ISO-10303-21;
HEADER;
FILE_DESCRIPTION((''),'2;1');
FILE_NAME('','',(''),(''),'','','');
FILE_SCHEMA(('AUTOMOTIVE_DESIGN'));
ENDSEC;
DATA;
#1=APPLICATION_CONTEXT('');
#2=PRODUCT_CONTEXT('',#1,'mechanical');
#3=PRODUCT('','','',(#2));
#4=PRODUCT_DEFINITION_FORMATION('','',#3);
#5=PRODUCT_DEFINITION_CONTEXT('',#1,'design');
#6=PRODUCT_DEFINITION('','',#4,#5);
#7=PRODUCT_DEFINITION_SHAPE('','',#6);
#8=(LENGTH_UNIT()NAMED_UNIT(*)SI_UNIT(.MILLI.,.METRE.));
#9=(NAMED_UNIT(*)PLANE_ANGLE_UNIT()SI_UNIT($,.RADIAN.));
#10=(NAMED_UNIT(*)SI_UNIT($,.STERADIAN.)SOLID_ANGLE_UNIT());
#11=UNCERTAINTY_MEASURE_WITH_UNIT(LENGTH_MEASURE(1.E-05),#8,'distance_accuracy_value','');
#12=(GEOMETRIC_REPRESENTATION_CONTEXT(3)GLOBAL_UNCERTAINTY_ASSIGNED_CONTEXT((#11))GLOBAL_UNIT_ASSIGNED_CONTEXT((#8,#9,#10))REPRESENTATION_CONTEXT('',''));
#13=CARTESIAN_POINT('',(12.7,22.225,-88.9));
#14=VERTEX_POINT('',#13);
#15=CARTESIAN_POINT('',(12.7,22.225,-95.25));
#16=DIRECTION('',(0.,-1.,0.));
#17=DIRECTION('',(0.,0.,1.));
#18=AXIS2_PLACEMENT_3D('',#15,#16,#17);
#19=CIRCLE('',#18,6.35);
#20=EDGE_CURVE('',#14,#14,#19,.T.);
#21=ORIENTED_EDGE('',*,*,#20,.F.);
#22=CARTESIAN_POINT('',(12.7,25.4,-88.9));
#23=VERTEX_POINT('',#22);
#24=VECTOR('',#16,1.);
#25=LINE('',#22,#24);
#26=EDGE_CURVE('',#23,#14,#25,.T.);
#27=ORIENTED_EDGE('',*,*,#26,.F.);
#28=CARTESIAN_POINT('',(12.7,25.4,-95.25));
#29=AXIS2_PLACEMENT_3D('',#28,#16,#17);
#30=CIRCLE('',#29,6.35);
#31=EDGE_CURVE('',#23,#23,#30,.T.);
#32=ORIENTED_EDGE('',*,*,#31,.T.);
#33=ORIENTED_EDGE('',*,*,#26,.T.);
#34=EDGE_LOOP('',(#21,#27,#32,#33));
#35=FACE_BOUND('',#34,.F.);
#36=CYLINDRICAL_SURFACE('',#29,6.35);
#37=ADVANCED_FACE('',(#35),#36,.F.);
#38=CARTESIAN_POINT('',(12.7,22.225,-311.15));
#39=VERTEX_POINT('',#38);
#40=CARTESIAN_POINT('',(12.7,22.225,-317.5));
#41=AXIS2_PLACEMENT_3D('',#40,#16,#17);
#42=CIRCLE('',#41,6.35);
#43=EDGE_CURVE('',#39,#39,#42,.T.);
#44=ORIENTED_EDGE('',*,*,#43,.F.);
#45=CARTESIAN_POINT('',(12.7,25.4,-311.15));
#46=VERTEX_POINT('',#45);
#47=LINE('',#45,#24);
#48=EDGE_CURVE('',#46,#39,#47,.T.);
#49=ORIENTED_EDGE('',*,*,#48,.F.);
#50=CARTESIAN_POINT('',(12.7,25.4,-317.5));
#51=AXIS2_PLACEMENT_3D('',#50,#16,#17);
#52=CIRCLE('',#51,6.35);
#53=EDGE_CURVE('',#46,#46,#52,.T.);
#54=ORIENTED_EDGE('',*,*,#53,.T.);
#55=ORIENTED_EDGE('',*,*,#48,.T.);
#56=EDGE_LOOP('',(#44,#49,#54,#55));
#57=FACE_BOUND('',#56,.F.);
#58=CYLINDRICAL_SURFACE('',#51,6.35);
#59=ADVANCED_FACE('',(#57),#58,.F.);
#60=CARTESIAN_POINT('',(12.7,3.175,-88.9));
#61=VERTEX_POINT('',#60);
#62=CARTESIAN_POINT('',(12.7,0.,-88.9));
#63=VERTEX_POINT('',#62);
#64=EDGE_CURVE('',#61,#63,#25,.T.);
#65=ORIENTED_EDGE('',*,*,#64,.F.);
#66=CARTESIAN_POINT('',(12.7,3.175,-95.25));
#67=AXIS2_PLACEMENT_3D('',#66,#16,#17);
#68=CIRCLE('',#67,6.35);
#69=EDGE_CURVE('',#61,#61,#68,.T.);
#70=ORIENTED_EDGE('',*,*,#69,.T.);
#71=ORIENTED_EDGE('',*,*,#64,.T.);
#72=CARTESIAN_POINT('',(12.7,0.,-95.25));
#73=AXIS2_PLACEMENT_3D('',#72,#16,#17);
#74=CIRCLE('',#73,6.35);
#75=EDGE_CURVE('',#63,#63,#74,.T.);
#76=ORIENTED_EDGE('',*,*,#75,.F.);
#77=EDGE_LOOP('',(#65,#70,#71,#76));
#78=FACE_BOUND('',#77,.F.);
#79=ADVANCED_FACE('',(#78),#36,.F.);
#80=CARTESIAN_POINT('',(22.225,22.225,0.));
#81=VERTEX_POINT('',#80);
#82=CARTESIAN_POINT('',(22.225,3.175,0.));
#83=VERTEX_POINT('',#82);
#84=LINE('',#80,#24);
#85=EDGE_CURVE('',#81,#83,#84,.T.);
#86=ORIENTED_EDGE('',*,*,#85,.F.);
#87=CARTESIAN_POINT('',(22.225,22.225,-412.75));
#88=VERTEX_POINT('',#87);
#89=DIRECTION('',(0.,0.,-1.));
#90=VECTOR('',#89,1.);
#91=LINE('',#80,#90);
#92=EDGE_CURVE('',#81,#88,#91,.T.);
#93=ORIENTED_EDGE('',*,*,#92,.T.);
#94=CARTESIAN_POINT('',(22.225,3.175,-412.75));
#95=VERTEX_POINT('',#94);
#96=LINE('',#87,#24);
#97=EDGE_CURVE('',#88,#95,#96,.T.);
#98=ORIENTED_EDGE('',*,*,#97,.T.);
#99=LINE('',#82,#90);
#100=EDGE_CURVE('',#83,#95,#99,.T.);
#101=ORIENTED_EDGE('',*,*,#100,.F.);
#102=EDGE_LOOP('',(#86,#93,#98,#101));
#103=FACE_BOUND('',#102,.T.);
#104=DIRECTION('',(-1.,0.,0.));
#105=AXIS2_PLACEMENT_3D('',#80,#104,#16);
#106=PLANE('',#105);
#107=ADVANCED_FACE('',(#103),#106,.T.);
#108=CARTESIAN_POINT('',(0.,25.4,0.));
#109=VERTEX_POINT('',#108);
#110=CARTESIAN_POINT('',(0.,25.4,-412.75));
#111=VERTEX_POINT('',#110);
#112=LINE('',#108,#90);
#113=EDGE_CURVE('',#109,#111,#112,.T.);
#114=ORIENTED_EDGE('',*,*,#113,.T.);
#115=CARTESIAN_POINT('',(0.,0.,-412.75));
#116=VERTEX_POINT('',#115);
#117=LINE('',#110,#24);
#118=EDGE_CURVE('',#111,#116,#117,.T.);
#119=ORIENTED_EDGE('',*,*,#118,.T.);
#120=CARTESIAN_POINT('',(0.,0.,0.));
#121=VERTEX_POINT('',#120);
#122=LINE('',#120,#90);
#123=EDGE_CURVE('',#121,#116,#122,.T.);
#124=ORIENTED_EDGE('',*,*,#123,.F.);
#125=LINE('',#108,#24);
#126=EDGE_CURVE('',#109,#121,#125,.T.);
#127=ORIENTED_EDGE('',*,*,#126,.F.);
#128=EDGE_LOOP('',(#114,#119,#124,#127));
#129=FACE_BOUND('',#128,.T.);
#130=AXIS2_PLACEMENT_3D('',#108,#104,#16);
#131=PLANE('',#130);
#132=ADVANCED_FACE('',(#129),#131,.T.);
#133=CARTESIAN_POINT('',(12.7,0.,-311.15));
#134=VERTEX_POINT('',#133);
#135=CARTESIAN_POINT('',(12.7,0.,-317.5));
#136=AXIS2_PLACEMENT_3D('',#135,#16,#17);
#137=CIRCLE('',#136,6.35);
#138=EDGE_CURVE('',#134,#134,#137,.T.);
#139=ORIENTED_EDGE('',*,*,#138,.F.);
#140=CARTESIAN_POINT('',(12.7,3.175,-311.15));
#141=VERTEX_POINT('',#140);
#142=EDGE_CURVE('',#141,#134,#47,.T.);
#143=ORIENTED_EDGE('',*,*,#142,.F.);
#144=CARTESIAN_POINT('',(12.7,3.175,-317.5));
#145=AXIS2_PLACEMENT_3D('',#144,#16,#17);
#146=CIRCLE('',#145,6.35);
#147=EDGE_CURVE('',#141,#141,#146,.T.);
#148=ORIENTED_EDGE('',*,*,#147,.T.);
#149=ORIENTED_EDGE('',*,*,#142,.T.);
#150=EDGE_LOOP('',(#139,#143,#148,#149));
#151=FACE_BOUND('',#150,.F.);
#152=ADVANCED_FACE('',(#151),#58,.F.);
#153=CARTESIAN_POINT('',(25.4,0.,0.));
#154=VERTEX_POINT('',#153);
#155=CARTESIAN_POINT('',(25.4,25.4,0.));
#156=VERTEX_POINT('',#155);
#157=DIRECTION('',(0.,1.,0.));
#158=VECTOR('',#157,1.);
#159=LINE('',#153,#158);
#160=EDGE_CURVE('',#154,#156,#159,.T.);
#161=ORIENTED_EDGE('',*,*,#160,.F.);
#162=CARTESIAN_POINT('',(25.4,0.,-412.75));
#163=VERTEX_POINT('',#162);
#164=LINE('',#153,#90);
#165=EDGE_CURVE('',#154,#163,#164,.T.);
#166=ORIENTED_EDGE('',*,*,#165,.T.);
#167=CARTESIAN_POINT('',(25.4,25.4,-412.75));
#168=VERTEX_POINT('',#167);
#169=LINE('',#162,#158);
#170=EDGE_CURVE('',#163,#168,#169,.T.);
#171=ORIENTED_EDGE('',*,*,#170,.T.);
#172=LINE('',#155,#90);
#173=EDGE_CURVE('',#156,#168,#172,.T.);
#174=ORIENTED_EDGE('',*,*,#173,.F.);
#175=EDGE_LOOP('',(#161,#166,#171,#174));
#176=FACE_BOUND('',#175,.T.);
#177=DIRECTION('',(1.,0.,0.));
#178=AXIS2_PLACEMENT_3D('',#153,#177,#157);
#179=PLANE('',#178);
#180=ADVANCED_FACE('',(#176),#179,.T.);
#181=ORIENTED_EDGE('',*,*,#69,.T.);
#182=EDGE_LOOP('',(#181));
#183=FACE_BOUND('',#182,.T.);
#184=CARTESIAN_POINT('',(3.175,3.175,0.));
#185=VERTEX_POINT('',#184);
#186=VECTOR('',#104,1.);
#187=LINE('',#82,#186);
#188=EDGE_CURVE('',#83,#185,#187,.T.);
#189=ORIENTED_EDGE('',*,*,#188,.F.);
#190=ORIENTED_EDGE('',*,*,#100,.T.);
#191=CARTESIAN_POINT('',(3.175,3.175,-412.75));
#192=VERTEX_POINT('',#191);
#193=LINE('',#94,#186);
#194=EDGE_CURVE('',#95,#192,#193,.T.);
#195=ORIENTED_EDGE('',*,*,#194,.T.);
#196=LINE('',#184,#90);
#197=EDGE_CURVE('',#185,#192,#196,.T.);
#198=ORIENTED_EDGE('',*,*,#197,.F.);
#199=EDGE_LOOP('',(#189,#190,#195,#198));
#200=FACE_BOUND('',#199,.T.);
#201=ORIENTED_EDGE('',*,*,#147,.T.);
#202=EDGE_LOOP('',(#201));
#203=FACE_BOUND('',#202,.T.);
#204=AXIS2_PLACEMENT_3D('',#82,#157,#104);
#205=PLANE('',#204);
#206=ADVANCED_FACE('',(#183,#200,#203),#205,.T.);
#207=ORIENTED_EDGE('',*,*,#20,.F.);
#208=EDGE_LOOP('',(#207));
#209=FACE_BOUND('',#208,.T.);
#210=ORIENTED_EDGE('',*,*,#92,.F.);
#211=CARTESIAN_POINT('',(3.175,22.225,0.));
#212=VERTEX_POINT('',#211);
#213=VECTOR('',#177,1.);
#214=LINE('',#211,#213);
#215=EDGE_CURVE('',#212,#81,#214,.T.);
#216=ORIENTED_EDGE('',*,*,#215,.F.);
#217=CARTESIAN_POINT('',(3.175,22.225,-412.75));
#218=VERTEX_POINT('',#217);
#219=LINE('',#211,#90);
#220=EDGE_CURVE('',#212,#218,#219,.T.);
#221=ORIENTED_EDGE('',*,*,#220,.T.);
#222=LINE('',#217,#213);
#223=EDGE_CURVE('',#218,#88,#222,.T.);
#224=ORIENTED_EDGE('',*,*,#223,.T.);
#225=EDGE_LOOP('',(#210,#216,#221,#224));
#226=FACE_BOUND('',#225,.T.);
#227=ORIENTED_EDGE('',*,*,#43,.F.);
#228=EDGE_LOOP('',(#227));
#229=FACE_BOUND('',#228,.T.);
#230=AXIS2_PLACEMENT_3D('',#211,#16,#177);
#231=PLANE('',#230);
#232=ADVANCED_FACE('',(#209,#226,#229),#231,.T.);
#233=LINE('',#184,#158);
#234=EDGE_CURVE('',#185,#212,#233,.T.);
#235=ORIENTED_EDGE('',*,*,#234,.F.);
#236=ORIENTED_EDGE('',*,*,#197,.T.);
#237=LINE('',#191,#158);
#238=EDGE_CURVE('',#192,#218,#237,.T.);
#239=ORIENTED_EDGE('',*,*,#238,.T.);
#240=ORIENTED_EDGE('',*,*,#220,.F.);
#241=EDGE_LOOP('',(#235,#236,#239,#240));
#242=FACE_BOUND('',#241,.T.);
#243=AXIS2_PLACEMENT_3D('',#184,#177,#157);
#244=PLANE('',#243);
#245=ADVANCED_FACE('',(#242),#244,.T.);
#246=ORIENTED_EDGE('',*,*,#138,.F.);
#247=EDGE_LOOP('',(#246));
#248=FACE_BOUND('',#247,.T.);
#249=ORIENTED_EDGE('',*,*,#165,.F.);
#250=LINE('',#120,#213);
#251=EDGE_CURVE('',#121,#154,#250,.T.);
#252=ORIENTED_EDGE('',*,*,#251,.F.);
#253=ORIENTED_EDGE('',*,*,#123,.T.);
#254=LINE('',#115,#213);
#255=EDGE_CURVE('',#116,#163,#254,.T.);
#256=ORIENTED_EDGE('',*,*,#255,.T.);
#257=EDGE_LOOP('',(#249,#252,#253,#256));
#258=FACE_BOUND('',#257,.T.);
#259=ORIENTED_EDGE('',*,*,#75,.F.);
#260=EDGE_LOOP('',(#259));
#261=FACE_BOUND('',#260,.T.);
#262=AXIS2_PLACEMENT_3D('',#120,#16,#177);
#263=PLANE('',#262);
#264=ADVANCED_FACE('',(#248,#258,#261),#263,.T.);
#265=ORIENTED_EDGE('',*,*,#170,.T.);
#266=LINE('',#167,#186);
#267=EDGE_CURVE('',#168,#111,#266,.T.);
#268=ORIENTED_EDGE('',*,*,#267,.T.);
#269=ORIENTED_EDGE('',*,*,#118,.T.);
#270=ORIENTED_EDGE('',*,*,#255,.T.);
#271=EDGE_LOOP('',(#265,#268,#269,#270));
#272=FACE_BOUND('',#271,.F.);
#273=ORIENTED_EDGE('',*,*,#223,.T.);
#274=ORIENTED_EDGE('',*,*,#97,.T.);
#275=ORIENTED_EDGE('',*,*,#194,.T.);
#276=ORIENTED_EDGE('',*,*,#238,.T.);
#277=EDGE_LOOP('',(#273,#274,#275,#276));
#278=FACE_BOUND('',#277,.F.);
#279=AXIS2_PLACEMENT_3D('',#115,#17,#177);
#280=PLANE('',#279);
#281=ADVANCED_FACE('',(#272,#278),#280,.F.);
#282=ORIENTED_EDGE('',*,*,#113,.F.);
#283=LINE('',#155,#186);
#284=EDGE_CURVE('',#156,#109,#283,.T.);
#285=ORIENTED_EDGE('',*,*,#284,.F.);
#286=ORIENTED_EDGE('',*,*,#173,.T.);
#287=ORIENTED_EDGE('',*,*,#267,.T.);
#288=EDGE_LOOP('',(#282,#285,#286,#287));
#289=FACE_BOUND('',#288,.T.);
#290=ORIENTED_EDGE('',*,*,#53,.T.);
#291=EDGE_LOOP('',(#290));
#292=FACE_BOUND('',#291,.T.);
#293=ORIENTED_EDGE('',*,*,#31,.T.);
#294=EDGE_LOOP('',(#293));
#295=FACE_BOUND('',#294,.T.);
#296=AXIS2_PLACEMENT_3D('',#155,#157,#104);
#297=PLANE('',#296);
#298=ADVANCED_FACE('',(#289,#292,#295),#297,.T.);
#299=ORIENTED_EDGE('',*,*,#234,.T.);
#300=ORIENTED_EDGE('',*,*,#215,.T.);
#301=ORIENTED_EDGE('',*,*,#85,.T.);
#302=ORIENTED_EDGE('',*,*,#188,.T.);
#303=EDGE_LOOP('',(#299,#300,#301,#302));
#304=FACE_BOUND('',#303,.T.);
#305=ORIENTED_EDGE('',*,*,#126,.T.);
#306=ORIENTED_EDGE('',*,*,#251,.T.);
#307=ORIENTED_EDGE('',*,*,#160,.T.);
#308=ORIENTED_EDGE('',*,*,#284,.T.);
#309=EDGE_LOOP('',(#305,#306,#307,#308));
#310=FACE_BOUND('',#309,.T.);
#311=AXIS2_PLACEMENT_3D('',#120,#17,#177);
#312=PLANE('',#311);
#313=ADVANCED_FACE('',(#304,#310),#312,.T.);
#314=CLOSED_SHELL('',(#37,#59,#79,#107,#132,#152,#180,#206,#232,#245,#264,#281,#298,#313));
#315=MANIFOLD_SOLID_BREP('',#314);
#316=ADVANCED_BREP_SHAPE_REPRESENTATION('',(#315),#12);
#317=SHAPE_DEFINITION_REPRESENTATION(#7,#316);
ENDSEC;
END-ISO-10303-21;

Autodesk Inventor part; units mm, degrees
ref_plane "YZ Plane" through (0, 0, 0) normal (1, 0, 0) x (0, 1, 0)
ref_plane "XZ Plane" through (0, 0, 0) normal (0, 1, 0) x (-1, 0, 0)
ref_plane "XY Plane" through (0, 0, 0) normal (0, 0, 1) x (1, 0, 0)
sketch "Sketch1" plane through (0, 0, 0) normal (0, 0, 1) x (1, 0, 0)
  line L0 (0, 0) -> (25.4, 0)
  line L1 (25.4, 0) -> (25.4, 25.4)
  line L2 (25.4, 25.4) -> (0, 25.4)
  line L3 (0, 25.4) -> (0, 0)
  line L4 (3.175, 22.225) -> (22.225, 22.225)
  line L5 (22.225, 22.225) -> (22.225, 3.175)
  line L6 (22.225, 3.175) -> (3.175, 3.175)
  line L7 (3.175, 3.175) -> (3.175, 22.225)
  dimension "d0" = 25.4
  dimension "d1" = 25.4
  dimension "d2" = 3.175
extrude "Extrusion1" add sketch "Sketch1" against normal blind 412.75
sketch "Sketch2" plane through (0, 25.4, 0) normal (0, 1, 0) x (1, 0, 0)
  line L0 (25.4, 412.75) -> (0, 412.75) projected
  line L1 (25.4, 0) -> (0, 0) projected
  point P0 (12.7, 95.25)
  point P1 (12.7, 0)
  point P2 (12.7, 317.5)
  dimension "d5" = 95.25
  dimension "d6" = 95.25
hole "Hole1" at (12.7, 25.4, -95.25) at (12.7, 25.4, -317.5) direction (0, -1, 0) diameter 12.7 depth 25.4 tip angle 118
properties part number "18 inch tube"
